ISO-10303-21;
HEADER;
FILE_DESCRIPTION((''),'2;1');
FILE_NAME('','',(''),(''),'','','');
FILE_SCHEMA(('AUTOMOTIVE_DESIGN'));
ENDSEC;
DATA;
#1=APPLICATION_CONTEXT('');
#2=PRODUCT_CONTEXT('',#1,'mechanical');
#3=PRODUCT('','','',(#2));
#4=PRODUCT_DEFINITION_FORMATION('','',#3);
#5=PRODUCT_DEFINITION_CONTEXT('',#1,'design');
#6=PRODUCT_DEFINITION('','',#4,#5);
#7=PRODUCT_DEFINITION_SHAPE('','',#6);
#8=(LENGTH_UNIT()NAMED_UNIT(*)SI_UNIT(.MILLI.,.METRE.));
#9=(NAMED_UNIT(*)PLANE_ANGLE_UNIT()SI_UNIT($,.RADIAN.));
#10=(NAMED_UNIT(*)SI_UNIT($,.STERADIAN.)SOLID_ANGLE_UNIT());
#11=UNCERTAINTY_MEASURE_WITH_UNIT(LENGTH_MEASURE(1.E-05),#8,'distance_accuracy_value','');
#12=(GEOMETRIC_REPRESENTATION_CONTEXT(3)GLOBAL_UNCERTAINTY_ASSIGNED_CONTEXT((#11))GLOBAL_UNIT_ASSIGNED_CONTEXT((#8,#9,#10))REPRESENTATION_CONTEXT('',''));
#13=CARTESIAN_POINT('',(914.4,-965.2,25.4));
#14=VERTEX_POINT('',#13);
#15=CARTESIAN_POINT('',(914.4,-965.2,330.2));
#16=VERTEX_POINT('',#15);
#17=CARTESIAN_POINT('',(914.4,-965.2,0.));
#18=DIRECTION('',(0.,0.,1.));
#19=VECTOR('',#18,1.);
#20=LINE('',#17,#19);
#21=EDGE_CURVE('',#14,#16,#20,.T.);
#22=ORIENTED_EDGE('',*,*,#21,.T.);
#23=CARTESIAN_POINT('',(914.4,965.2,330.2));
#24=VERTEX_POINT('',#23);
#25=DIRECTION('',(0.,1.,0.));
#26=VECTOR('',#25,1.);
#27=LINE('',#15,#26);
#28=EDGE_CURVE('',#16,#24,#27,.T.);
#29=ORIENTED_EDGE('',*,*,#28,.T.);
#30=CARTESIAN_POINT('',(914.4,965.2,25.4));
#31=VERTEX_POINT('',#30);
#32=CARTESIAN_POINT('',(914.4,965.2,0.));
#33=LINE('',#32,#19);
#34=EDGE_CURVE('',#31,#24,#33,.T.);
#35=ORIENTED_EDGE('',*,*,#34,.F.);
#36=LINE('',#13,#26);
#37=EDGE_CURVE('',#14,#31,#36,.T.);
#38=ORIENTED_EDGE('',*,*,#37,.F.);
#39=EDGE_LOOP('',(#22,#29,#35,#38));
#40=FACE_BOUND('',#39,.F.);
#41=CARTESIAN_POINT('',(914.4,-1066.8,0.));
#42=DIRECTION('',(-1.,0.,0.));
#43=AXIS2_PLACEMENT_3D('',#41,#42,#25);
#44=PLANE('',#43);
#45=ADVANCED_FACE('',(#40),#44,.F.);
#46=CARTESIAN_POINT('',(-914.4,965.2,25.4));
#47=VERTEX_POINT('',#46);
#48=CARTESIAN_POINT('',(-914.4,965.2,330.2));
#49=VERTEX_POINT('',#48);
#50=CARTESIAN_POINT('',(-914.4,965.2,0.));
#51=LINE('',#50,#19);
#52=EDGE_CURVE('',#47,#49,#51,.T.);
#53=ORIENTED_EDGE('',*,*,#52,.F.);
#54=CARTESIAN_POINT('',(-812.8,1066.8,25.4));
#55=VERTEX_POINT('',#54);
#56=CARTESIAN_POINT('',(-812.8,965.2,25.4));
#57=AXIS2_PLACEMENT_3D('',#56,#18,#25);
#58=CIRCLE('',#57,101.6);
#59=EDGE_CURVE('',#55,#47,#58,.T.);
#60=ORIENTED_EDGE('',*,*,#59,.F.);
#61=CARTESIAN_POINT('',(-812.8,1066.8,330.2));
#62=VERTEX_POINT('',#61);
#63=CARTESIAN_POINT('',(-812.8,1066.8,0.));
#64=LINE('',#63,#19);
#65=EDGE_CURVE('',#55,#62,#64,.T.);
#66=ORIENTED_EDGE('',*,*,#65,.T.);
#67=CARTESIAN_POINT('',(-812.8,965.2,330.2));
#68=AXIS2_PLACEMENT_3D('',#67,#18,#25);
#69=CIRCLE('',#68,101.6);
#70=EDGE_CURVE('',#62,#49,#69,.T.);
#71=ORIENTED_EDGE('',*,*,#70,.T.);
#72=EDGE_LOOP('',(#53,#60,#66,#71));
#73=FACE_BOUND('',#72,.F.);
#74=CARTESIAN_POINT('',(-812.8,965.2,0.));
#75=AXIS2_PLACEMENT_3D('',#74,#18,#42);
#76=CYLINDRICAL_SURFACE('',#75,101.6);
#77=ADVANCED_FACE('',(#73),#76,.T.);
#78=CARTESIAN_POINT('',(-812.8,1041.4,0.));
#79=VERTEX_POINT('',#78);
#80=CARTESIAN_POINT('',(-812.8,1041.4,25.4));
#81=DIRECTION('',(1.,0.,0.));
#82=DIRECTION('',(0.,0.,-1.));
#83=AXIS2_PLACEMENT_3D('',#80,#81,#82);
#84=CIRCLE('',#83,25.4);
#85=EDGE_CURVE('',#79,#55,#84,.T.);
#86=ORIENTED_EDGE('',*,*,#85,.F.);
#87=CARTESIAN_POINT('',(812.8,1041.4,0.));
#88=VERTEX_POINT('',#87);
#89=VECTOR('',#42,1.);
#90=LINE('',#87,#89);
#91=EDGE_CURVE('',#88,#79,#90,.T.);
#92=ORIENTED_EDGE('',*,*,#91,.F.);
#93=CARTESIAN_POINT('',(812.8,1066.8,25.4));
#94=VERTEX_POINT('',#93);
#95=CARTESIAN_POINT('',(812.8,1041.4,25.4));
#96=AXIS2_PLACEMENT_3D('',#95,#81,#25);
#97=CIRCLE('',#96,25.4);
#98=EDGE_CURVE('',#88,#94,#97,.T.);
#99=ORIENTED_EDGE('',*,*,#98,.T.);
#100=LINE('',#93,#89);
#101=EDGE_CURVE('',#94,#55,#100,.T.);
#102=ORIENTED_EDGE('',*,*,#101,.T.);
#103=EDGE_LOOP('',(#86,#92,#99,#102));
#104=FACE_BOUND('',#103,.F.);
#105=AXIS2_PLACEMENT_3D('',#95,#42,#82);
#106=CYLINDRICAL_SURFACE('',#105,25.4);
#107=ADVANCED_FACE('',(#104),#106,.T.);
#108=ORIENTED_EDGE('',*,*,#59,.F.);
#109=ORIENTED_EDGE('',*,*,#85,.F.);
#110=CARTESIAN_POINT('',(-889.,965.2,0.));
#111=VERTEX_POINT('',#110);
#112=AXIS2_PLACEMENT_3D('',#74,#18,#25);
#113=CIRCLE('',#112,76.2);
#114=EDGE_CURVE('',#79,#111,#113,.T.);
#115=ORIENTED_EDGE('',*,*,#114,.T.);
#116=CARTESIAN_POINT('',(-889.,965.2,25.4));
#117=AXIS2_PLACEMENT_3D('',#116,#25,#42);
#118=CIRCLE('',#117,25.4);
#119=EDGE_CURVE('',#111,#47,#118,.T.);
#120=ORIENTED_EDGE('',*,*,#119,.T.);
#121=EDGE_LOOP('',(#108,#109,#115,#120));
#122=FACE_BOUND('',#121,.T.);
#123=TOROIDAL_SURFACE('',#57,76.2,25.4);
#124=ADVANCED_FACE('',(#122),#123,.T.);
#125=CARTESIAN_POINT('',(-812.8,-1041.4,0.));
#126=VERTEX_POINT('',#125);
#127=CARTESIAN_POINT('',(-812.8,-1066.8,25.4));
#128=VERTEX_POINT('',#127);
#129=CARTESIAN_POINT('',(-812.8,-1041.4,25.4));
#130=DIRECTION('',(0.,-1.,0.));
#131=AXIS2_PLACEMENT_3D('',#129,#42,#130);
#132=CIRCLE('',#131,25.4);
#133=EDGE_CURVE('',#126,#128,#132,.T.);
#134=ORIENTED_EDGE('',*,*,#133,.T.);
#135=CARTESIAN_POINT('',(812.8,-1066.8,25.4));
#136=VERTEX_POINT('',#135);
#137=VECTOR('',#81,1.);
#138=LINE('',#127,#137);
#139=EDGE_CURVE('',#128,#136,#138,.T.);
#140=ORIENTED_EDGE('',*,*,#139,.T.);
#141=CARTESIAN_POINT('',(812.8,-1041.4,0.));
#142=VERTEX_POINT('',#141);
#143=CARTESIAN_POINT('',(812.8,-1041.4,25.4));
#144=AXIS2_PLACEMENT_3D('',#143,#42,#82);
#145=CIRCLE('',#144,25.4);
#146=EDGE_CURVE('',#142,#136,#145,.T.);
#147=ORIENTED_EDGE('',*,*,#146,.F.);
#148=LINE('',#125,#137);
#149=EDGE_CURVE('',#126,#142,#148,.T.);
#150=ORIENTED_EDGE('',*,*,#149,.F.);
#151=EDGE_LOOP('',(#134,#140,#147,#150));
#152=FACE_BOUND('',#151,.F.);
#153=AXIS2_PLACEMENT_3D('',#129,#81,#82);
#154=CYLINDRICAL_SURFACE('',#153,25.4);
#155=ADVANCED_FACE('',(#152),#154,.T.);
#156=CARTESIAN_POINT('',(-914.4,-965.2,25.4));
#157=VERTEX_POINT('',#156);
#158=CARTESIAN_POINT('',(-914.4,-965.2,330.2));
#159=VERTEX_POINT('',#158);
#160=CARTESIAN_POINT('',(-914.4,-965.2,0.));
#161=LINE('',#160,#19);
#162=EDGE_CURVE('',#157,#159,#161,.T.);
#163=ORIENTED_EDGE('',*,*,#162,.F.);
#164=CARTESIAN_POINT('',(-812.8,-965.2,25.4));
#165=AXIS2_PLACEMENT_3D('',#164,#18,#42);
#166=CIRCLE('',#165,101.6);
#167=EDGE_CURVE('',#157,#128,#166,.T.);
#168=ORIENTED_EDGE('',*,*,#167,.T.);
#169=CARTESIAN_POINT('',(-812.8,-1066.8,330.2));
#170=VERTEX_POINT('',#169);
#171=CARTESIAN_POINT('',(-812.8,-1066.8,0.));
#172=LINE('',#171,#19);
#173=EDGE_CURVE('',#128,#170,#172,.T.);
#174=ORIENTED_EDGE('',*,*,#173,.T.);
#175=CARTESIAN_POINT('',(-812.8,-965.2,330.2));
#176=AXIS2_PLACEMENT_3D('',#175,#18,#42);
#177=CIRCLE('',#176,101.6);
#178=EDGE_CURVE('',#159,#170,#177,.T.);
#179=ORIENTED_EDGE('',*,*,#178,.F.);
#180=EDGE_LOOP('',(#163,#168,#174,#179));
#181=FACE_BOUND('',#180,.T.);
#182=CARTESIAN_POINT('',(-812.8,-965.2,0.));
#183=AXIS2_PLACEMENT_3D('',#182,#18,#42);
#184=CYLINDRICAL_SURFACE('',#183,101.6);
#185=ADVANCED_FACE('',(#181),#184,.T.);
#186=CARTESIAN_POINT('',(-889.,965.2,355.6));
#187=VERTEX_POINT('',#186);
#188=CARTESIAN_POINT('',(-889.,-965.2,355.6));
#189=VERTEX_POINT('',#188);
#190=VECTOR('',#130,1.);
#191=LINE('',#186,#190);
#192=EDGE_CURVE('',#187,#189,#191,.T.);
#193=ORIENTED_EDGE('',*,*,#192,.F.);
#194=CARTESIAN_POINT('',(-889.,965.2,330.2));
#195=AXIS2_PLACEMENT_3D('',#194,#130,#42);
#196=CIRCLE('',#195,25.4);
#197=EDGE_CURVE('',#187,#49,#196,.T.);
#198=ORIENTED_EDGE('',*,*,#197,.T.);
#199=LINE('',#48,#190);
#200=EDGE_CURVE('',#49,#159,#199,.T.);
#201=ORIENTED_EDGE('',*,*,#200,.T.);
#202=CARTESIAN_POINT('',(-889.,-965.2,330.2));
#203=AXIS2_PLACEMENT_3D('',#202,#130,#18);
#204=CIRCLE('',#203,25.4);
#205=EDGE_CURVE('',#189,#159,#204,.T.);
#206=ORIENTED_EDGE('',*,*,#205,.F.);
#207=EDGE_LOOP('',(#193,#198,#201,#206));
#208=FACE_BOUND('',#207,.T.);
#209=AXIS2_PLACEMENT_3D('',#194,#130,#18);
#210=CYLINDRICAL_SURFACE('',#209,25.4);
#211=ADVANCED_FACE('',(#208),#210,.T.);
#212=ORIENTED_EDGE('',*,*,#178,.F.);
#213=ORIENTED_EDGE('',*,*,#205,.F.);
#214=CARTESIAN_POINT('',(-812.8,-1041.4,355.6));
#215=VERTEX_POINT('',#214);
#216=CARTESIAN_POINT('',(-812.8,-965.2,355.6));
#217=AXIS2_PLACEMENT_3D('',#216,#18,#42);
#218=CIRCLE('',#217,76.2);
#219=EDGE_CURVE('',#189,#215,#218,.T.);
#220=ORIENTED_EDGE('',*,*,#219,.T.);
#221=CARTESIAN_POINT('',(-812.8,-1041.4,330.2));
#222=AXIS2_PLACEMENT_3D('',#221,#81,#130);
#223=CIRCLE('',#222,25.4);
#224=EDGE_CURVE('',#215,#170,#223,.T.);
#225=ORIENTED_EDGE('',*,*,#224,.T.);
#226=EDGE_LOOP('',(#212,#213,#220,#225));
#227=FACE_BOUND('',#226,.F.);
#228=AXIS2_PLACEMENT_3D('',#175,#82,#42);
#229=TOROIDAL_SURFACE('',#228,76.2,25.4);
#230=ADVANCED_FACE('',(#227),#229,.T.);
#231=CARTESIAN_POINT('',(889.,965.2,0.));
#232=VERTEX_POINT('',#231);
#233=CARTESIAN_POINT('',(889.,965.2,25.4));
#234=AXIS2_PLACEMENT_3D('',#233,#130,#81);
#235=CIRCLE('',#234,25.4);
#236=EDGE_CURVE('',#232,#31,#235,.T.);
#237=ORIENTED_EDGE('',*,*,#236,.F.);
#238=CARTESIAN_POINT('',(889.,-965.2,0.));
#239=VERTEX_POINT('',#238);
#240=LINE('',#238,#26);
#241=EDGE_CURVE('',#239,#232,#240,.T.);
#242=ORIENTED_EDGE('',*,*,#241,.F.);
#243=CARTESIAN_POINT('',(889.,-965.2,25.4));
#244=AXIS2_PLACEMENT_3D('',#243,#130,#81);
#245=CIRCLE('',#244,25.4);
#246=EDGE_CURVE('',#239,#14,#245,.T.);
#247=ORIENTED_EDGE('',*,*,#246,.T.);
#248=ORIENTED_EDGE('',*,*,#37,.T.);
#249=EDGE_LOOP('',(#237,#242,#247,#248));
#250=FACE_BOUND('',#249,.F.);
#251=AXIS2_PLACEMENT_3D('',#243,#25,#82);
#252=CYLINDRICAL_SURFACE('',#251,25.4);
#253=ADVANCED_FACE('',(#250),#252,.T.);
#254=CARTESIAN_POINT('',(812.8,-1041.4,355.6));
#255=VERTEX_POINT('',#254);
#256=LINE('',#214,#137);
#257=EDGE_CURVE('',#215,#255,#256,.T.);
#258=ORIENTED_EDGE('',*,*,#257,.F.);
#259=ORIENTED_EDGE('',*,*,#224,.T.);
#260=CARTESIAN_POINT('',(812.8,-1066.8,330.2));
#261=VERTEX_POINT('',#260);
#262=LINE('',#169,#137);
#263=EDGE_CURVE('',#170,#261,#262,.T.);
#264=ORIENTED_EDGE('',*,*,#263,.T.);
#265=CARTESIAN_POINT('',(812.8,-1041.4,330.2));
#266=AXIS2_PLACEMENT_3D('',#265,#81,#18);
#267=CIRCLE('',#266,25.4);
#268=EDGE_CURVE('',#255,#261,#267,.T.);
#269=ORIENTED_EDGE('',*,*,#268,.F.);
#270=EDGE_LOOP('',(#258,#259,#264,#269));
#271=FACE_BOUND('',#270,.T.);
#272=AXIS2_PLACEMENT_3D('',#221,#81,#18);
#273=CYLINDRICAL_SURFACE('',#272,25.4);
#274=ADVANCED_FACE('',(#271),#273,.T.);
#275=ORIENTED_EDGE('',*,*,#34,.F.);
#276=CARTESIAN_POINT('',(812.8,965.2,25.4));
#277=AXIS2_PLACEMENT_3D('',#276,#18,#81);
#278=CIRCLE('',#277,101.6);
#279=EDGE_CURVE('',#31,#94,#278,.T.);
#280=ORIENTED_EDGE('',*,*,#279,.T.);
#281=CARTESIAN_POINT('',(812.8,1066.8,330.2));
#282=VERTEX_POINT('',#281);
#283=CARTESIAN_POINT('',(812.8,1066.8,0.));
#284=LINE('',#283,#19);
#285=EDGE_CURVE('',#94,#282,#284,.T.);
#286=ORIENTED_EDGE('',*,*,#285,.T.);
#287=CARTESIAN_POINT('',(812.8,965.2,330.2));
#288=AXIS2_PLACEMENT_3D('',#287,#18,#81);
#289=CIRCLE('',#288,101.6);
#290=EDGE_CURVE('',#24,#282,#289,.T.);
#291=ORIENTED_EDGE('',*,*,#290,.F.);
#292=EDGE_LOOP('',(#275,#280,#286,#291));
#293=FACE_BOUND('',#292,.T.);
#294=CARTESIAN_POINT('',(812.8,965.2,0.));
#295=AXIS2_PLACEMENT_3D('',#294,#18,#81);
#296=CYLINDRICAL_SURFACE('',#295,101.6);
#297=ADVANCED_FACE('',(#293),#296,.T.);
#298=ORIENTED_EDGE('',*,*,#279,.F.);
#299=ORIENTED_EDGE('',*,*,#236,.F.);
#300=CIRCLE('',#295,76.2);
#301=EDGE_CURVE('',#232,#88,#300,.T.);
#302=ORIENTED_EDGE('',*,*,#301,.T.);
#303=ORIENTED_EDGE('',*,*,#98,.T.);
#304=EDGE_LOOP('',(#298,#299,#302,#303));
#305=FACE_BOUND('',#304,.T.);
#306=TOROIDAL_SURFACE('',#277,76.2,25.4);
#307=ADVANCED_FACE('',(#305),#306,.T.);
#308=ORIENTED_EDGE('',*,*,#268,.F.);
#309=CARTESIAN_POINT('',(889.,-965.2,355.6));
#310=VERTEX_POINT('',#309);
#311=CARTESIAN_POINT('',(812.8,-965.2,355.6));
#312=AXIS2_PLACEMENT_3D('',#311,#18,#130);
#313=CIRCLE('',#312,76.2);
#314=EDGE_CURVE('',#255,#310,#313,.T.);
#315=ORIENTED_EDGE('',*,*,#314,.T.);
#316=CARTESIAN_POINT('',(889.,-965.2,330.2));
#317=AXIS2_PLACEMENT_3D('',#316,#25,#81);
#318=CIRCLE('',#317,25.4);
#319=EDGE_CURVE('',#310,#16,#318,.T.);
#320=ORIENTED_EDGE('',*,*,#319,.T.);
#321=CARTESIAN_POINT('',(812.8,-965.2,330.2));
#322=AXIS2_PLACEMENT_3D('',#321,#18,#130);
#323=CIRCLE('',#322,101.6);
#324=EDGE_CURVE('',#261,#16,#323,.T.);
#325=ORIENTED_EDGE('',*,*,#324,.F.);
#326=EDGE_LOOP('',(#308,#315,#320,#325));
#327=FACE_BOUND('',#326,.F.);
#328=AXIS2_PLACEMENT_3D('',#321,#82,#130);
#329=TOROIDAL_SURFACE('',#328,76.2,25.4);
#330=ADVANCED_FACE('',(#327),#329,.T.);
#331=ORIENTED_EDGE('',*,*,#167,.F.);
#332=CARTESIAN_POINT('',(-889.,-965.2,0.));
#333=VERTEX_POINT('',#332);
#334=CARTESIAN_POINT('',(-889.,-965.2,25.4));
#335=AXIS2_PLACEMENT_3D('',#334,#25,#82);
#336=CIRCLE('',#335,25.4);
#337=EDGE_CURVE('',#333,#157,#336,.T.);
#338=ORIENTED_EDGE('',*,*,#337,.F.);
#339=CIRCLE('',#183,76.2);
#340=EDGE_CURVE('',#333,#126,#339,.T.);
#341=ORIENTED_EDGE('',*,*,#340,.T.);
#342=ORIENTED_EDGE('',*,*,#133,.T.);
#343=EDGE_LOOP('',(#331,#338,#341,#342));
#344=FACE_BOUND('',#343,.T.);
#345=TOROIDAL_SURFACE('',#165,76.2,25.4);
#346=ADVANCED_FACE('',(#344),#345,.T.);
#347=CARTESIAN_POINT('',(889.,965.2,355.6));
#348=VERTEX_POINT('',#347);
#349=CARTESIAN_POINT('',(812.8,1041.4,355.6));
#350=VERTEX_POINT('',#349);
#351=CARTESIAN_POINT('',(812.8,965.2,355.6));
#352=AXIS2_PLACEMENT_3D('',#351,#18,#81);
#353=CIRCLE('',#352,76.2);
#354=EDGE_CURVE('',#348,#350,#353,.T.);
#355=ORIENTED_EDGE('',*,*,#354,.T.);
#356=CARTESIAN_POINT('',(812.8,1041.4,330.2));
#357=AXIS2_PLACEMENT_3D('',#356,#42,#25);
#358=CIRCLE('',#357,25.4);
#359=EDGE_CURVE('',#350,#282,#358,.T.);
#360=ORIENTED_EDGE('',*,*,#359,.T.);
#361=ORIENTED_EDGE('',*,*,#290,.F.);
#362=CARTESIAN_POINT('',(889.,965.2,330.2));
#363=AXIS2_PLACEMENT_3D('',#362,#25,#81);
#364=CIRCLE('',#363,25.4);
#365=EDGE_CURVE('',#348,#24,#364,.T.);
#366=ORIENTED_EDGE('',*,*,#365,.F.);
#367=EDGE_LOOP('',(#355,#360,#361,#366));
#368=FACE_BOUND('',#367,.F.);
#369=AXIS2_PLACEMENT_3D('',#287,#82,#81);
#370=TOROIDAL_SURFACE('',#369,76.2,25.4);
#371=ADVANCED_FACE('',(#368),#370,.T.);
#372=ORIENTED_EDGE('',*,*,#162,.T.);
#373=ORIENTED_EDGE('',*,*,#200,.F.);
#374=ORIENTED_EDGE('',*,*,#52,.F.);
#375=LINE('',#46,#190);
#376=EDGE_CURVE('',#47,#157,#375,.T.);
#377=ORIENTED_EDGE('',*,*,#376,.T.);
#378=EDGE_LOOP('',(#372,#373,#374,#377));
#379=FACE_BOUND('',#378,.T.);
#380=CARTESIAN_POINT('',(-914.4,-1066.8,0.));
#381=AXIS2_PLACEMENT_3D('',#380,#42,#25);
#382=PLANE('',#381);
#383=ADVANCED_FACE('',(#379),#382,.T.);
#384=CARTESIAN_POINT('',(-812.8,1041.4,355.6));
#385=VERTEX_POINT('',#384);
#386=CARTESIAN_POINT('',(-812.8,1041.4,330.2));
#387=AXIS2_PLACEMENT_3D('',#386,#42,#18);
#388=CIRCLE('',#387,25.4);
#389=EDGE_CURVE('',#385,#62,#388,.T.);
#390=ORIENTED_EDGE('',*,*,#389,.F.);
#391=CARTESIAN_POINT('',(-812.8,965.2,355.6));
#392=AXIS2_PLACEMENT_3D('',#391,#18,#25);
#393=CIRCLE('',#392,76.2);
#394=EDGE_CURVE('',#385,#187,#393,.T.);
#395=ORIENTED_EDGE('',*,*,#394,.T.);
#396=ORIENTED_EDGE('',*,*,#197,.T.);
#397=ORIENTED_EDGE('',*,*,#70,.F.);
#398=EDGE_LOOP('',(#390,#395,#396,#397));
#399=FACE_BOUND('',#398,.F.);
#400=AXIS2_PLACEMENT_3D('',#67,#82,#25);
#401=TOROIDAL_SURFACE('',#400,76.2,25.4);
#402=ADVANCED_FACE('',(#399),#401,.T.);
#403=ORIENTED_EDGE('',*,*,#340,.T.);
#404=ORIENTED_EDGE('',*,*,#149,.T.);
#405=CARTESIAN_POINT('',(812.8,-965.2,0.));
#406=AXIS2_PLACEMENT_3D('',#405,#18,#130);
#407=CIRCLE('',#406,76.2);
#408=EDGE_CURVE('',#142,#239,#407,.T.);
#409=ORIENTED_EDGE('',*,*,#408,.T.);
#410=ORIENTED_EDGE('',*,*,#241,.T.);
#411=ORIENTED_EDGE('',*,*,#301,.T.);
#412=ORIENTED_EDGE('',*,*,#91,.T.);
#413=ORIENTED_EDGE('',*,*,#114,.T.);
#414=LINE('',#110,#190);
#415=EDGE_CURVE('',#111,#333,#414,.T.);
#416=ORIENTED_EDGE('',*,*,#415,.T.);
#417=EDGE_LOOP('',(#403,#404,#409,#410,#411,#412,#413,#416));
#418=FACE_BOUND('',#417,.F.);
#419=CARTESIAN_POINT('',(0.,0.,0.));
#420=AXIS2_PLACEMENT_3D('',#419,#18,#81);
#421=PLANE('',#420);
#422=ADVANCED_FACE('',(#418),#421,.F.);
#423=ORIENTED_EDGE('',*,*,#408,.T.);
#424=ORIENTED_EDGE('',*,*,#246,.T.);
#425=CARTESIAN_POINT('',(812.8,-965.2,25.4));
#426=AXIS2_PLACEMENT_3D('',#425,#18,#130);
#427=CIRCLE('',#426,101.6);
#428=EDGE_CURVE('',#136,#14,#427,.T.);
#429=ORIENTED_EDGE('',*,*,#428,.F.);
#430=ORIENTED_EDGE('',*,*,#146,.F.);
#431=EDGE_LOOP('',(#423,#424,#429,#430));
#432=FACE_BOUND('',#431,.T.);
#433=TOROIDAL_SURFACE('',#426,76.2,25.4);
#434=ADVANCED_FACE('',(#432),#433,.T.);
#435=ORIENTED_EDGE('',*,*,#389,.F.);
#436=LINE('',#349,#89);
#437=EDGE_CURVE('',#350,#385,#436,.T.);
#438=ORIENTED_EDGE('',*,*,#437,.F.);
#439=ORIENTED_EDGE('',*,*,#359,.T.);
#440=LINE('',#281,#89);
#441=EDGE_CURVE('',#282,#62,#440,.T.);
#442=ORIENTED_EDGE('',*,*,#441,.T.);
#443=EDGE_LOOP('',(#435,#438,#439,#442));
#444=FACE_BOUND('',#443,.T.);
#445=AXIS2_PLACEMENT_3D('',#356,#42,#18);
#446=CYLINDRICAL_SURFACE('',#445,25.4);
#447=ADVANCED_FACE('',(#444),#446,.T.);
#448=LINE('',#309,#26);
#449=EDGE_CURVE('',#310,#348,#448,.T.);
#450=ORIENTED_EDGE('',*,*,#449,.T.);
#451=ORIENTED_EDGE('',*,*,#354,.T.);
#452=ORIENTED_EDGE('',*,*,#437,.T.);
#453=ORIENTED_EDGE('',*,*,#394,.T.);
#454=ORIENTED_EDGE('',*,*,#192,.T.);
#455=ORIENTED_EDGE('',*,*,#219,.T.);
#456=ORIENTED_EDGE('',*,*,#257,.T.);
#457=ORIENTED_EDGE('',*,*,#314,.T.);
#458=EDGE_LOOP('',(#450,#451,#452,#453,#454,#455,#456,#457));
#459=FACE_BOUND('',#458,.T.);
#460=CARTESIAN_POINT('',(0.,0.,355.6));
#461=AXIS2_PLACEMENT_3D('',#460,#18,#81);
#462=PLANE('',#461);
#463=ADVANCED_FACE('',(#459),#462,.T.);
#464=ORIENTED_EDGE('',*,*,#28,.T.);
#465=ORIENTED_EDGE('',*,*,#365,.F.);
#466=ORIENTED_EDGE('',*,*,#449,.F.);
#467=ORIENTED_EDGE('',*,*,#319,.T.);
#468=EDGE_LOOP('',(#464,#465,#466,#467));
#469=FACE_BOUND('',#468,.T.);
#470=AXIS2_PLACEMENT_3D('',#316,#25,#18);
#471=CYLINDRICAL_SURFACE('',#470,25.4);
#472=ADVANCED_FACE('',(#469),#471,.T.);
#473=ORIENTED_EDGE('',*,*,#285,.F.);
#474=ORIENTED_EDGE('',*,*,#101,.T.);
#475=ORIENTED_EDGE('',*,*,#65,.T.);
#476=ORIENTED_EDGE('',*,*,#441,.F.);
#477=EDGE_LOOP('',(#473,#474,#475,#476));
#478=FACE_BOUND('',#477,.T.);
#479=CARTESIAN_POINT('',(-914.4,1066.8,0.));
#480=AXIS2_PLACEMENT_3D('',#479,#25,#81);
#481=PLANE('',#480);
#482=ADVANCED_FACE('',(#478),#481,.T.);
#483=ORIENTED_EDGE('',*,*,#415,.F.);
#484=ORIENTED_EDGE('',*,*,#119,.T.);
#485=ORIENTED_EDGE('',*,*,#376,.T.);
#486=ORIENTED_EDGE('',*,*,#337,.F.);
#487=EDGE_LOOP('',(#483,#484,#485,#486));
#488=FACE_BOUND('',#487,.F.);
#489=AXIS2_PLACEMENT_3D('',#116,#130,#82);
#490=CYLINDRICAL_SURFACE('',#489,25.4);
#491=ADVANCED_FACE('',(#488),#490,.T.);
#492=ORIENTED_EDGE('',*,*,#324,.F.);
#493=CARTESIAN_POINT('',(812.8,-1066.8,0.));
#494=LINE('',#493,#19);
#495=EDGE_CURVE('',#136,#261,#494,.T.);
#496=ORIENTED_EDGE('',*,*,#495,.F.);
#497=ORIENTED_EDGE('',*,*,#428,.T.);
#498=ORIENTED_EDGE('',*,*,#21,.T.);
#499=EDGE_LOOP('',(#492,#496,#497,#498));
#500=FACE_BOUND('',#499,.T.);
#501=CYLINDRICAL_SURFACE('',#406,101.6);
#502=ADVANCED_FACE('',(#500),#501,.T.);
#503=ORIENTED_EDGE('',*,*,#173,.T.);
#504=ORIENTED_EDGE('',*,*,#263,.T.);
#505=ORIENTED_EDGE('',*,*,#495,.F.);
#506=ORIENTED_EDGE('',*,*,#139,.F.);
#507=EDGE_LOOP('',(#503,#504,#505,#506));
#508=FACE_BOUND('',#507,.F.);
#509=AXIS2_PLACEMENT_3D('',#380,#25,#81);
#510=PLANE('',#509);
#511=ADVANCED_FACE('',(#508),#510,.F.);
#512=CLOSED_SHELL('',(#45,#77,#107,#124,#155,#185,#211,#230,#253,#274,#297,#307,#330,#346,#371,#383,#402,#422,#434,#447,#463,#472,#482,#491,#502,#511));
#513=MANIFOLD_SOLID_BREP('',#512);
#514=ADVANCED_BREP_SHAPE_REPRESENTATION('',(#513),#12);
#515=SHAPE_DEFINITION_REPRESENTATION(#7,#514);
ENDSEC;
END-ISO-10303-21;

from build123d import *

# Parameters (mm, degrees)
F0_W     = 1828.8
F0_H     = 2133.6
F1_DEPTH = 355.6
F2_R     = 101.6
F3_R     = 25.4


with BuildPart() as f1:
    # F0 (on Top) → F1 (new body)
    with BuildSketch(Plane.XY):
        Rectangle(F0_W, F0_H)
    extrude(amount=F1_DEPTH)

    # F2
    f2_edges = [f1.edges().sort_by_distance(p)[0] for p in [
        (-914.4, -1066.8, 177.8),
        (914.4, -1066.8, 177.8),
        (914.4, 1066.8, 177.8),
        (-914.4, 1066.8, 177.8),
    ]]
    fillet(f2_edges, radius=F2_R)

    # F3
    f3_edges = [f1.edges().sort_by_distance(p)[0] for p in [
        (884.642049, 1037.042049, 355.6),
        (884.642049, 1037.042049, 0),
    ]]
    fillet(f3_edges, radius=F3_R)


solid = f1.part
